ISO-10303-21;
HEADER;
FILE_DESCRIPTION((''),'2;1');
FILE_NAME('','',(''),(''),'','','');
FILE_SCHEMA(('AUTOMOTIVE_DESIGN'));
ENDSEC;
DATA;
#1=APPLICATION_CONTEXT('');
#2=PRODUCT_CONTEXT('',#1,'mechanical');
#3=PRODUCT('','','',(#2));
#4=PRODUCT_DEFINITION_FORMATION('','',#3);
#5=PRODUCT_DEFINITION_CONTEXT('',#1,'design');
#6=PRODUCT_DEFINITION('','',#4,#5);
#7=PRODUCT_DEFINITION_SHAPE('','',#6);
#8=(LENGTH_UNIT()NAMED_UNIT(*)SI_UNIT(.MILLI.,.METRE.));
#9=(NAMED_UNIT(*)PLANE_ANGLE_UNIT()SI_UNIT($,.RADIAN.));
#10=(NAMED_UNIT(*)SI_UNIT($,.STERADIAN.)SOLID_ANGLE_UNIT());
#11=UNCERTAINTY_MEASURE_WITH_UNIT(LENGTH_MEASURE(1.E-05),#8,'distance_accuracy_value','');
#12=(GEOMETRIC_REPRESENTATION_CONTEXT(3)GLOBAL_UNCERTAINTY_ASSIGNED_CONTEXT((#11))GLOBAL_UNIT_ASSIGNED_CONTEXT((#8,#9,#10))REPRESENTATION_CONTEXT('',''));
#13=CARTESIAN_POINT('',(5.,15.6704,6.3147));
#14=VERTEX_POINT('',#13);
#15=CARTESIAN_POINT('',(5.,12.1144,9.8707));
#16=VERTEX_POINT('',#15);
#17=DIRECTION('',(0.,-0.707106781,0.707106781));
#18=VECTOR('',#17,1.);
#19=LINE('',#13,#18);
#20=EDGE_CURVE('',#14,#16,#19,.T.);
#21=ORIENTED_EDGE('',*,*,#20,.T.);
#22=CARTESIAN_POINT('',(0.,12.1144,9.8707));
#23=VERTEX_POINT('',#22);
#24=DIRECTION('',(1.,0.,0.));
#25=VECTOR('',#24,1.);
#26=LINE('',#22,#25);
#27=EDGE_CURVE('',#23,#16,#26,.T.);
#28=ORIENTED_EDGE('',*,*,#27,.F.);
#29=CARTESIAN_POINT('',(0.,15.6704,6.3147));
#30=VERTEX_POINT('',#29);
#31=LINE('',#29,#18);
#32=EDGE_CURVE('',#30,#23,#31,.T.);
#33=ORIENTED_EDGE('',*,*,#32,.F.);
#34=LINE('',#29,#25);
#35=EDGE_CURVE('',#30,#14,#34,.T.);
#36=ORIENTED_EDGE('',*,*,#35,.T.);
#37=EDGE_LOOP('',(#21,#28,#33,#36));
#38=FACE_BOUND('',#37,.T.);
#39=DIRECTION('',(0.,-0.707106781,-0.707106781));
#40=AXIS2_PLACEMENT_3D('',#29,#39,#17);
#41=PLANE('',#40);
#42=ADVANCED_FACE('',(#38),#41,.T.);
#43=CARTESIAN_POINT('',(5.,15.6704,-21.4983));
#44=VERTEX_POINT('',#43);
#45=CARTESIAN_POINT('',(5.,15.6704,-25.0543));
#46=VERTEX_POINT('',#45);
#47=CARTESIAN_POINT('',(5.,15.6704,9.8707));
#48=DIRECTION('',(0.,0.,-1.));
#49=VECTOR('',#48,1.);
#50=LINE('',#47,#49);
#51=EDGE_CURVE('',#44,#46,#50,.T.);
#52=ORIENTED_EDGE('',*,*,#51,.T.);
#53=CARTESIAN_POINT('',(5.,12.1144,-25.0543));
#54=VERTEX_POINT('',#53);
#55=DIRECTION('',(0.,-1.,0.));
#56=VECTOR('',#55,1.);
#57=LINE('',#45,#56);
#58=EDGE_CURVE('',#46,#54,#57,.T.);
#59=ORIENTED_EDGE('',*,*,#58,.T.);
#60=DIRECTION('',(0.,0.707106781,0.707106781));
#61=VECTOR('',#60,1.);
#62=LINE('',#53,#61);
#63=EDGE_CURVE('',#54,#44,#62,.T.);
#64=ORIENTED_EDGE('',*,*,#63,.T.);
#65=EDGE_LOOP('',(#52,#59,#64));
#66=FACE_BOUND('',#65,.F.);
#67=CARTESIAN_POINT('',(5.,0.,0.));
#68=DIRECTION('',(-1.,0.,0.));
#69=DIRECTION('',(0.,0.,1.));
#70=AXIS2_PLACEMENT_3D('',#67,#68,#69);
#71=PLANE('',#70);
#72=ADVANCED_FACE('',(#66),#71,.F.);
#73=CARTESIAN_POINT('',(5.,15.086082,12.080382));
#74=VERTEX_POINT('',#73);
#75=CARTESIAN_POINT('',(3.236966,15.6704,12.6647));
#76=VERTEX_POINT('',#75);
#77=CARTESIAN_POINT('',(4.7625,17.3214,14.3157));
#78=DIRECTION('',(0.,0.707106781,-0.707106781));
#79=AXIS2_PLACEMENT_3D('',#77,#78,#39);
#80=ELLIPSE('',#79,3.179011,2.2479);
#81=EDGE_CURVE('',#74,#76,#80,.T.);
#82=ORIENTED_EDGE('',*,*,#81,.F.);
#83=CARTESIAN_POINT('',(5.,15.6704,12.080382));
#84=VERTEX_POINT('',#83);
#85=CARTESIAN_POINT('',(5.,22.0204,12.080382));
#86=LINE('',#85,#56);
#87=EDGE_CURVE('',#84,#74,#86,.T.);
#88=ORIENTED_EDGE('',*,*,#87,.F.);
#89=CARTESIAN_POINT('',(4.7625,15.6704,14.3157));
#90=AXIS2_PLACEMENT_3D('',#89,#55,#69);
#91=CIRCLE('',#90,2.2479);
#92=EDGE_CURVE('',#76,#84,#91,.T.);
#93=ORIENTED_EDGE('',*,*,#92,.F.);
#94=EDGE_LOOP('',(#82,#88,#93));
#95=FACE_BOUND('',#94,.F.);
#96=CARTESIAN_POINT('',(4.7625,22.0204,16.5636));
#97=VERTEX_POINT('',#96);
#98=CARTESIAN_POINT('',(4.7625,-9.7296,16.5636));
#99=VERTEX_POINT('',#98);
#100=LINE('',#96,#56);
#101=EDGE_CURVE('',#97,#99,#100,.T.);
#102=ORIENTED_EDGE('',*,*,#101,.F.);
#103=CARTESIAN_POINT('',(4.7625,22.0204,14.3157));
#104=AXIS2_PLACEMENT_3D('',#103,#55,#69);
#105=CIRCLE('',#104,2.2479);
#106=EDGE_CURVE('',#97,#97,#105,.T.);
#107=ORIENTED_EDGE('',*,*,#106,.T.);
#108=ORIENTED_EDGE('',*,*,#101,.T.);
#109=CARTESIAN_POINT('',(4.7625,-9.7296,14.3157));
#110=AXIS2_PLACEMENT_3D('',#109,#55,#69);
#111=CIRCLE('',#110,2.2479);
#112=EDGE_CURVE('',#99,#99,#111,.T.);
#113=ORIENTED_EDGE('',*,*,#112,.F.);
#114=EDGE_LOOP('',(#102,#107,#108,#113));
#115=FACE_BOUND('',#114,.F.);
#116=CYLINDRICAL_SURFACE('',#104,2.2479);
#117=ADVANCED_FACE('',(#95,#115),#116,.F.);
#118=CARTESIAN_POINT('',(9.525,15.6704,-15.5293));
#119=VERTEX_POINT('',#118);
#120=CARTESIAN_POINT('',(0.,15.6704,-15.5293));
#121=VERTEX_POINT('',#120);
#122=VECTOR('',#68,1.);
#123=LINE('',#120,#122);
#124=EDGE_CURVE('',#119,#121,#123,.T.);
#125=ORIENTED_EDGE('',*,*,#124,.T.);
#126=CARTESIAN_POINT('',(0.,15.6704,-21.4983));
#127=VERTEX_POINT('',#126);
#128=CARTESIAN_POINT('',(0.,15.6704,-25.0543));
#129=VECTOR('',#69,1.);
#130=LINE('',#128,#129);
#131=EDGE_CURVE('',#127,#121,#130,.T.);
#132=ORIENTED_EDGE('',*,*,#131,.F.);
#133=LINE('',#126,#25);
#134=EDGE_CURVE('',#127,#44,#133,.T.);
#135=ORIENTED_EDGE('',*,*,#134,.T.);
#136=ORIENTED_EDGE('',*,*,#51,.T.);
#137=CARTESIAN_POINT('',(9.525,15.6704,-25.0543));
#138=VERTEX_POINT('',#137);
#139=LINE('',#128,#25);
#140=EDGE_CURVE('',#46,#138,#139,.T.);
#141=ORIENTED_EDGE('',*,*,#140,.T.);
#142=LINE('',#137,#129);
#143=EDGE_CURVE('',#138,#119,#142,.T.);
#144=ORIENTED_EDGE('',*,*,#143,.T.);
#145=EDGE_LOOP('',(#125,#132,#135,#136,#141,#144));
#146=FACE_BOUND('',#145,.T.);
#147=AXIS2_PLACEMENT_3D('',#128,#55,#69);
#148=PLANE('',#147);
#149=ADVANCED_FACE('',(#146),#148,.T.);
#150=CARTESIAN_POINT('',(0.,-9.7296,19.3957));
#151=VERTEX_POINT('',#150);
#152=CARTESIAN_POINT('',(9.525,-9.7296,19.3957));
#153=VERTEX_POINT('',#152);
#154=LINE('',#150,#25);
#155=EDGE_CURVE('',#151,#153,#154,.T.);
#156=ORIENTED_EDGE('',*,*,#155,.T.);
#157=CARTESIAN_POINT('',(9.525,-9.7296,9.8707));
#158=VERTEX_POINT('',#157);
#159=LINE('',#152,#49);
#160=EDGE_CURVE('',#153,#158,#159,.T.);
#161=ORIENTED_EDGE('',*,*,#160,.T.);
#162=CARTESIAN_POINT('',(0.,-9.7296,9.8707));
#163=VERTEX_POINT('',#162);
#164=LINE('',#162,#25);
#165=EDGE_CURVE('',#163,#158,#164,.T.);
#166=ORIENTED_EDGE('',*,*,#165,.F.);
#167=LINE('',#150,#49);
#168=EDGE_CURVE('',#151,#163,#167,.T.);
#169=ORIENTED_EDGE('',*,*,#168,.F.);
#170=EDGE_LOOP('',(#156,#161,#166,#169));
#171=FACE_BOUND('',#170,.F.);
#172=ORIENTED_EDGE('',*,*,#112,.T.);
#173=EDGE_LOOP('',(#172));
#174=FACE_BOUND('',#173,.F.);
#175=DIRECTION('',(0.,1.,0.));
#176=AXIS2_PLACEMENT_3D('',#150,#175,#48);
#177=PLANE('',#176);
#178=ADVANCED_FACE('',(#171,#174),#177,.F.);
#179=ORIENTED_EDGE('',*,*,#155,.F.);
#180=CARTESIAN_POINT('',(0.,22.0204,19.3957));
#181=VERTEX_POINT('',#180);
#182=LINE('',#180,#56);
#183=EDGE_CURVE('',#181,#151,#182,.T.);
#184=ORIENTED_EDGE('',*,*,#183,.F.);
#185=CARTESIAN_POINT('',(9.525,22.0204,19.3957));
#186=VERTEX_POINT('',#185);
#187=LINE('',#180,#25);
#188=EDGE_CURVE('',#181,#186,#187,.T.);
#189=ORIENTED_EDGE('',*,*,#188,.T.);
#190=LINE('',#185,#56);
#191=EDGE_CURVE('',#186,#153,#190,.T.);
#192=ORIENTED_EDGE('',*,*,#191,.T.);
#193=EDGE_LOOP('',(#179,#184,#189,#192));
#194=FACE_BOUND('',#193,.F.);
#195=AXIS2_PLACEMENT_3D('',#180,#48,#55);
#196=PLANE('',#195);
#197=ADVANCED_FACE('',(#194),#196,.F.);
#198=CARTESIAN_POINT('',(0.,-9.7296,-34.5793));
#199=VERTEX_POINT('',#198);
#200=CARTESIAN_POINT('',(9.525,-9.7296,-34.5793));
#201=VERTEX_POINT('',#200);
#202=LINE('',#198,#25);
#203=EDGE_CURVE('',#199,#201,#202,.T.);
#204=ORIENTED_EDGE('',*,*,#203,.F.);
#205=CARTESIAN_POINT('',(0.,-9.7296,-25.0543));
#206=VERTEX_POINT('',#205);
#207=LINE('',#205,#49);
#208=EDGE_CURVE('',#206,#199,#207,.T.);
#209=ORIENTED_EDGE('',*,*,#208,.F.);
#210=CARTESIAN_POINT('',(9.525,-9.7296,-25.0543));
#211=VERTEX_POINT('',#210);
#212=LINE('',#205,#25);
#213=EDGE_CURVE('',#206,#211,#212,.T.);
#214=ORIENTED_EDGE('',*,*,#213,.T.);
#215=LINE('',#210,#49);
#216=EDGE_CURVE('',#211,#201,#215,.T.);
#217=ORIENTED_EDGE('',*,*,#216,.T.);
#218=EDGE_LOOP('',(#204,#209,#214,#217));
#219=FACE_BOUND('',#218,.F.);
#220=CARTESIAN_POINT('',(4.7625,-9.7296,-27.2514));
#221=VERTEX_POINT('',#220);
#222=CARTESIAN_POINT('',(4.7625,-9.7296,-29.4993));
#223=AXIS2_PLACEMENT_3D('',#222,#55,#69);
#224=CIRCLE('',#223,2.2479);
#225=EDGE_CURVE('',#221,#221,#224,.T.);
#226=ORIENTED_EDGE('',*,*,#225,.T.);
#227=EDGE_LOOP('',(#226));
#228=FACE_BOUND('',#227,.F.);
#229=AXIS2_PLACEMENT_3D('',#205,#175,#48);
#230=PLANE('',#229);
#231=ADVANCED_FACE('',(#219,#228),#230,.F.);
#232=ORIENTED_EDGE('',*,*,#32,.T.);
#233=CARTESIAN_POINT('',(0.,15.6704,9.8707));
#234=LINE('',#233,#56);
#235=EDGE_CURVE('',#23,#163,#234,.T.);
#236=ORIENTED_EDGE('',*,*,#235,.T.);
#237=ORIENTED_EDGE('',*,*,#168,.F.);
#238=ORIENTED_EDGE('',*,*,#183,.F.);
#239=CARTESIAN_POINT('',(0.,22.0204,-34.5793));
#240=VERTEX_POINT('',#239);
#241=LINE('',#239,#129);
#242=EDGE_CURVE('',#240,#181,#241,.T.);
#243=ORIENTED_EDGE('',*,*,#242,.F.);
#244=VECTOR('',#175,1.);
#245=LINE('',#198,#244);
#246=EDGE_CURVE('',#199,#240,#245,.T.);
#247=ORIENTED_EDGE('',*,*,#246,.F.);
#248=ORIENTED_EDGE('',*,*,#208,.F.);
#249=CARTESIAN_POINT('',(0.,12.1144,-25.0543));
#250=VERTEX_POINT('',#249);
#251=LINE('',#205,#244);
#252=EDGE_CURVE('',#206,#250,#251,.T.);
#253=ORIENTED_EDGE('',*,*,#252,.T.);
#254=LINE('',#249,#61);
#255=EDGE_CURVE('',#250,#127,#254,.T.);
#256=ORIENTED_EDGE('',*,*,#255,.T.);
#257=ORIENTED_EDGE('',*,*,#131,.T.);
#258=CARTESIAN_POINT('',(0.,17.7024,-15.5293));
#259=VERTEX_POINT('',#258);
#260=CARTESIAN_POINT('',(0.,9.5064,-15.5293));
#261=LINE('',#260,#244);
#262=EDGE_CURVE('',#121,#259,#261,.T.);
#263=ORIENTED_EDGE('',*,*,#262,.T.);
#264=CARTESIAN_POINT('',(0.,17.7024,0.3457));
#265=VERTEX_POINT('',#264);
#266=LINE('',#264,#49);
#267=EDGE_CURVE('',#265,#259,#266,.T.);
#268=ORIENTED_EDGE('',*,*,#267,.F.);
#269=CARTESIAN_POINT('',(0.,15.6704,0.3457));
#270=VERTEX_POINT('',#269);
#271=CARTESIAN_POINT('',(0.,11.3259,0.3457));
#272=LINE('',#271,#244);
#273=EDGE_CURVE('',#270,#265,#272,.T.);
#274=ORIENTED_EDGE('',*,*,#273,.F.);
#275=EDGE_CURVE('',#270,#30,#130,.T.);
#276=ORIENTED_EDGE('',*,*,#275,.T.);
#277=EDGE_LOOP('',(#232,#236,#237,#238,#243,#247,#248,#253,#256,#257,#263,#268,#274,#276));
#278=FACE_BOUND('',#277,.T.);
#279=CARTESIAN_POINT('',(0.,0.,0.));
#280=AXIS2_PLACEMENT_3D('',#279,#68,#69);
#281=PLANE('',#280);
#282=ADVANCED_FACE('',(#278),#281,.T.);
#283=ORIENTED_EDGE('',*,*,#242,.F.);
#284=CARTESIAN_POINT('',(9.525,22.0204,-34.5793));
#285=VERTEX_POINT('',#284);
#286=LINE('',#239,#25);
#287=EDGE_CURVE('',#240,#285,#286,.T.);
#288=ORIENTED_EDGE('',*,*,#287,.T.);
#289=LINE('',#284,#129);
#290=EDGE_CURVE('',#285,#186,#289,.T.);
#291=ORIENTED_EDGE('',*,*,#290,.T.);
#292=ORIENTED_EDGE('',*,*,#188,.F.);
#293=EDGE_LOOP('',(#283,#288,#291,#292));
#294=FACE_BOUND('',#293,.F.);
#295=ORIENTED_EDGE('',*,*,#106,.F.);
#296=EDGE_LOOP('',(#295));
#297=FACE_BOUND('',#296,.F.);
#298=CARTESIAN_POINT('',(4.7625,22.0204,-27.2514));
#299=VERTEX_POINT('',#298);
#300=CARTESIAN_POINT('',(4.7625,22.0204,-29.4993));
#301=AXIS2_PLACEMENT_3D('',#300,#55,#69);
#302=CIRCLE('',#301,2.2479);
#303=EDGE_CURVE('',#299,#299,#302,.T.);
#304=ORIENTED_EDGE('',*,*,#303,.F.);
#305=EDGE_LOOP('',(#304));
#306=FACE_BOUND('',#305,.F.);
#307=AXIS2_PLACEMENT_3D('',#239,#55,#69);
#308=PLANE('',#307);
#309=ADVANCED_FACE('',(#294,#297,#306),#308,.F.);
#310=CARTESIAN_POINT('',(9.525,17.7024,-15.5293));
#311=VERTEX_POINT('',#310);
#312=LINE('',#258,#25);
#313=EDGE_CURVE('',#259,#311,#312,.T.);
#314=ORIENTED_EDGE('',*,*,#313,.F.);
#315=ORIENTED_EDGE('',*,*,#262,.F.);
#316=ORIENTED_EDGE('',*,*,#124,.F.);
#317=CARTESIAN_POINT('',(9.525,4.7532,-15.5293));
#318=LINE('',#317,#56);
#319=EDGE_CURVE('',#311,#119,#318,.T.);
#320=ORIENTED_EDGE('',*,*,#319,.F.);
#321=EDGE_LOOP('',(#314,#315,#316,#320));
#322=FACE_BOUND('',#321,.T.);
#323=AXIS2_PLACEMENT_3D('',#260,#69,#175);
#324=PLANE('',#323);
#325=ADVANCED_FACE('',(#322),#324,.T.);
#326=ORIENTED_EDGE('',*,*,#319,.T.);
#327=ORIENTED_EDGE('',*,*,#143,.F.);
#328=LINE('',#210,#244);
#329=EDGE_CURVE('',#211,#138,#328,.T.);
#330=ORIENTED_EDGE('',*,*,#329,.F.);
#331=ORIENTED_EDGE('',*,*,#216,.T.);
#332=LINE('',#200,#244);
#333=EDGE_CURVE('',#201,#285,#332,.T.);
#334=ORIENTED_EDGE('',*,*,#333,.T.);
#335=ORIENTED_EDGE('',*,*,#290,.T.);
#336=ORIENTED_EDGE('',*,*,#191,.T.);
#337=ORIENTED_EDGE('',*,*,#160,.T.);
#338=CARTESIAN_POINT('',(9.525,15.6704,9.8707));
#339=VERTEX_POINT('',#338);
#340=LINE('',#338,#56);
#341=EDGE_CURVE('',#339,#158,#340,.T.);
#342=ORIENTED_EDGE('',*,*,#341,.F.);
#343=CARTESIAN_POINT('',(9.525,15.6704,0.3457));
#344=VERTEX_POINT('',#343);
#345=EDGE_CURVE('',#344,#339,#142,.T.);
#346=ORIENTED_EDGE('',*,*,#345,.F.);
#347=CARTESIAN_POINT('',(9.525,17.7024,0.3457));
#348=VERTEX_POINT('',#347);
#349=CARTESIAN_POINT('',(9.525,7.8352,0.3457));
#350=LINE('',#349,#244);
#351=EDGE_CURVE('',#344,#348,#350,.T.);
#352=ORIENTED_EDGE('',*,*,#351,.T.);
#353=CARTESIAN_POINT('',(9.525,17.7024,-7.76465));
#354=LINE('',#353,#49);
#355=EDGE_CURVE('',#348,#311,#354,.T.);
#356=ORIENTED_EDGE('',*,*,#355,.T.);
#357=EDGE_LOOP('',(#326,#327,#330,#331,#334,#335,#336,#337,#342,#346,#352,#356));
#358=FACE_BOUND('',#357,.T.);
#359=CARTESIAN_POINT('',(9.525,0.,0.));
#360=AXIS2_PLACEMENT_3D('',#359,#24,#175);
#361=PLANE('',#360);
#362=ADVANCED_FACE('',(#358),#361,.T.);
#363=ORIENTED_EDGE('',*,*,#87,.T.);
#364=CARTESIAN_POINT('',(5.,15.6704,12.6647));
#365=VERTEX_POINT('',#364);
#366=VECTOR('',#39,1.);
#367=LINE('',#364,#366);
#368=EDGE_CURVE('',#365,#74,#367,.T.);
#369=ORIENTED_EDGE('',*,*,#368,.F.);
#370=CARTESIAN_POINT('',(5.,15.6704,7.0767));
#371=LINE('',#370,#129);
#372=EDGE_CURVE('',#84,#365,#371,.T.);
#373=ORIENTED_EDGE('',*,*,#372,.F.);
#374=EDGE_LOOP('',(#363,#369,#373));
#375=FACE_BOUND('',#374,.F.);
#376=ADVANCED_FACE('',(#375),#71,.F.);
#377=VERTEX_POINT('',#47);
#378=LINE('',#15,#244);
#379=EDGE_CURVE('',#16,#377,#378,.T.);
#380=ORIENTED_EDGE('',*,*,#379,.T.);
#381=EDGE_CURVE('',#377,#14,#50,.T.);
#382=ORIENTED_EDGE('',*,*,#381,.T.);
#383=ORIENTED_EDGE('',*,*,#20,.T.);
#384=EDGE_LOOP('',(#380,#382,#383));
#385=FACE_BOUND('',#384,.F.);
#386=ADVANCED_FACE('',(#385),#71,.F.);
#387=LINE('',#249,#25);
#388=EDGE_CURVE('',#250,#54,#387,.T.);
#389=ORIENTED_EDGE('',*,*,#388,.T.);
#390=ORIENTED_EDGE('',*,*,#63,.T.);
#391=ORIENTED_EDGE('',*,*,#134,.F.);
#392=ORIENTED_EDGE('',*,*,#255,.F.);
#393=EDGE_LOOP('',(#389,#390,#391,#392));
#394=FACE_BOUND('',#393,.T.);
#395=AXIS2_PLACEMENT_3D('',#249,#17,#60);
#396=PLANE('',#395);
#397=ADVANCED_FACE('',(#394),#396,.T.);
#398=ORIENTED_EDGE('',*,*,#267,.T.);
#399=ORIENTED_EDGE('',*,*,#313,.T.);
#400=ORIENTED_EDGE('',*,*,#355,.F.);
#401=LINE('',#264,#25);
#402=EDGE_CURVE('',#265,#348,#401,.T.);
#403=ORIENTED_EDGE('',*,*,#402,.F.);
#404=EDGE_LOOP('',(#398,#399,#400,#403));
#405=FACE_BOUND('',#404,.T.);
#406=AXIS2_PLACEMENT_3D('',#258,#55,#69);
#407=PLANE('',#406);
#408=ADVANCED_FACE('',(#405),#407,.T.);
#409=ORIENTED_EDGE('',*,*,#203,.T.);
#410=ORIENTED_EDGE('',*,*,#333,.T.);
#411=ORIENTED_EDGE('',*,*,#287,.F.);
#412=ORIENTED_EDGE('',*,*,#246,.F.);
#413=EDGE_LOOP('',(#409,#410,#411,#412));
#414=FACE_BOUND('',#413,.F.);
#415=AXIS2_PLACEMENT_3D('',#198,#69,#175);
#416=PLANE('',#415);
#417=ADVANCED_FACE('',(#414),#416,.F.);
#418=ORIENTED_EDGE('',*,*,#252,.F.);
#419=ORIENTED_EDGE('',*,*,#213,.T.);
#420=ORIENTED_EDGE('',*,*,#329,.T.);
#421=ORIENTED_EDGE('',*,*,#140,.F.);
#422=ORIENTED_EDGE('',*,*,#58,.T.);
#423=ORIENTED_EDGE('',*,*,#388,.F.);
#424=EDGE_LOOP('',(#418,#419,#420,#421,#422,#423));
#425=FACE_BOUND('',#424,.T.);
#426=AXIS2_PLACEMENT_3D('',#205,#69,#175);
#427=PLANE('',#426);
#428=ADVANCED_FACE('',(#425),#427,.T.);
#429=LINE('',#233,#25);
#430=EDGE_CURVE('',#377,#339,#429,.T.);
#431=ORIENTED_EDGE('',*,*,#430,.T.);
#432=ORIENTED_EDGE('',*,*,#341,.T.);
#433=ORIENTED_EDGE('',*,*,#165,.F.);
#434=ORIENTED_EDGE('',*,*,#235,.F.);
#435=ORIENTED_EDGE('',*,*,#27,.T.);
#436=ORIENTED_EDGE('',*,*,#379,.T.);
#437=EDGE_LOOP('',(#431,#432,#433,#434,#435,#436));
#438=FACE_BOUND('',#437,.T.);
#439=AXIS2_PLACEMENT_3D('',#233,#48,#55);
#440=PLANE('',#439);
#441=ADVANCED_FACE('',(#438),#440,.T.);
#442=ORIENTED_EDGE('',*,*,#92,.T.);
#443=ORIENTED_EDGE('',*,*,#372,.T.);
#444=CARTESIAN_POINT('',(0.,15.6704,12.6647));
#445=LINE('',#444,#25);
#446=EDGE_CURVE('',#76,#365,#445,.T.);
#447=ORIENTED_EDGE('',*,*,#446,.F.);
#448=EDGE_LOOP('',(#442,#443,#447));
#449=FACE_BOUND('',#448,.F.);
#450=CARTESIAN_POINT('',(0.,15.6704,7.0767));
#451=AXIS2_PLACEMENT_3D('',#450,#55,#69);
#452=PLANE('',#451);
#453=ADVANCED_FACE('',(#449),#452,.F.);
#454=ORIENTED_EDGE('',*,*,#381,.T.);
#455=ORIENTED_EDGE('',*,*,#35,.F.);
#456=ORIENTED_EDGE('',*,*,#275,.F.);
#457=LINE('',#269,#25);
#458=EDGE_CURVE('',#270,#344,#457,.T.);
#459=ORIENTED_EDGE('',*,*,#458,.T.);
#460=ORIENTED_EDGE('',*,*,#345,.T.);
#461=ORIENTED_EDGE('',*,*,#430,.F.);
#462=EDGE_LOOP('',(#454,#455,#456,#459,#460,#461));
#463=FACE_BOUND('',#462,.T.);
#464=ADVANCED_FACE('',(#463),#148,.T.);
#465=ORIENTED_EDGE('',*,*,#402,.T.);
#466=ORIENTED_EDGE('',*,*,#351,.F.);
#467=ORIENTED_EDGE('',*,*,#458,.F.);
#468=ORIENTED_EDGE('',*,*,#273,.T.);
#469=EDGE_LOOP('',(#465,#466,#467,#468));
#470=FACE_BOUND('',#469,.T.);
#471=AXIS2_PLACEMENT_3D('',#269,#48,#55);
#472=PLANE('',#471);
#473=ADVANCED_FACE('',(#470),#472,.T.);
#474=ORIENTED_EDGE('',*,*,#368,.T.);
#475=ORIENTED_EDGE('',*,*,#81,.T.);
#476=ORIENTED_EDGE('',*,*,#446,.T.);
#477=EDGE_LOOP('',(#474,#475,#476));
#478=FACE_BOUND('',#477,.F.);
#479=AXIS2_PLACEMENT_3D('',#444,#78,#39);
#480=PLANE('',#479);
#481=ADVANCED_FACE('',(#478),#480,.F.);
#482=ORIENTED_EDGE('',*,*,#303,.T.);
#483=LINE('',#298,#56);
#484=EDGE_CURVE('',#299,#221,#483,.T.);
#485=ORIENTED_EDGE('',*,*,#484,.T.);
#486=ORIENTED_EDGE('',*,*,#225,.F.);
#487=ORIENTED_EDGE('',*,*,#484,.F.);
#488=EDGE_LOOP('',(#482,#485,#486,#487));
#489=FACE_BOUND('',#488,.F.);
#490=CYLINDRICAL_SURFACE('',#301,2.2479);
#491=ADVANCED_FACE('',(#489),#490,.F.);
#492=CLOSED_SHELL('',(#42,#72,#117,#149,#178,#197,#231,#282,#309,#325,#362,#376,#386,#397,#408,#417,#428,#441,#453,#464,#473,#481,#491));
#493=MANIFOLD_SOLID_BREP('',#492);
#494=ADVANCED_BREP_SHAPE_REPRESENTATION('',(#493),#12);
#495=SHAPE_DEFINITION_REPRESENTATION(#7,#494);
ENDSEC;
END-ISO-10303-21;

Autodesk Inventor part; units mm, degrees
ref_plane "YZ Plane" through (0, 0, 0) normal (1, 0, 0) x (0, 1, 0)
ref_plane "XZ Plane" through (0, 0, 0) normal (0, 1, 0) x (-1, 0, 0)
ref_plane "XY Plane" through (0, 0, 0) normal (0, 0, 1) x (1, 0, 0)
sketch "Sketch1" plane through (0, 0, 0) normal (1, 0, 0) x (0, 1, 0)
  line L0 (22.0204, 19.3957) -> (-9.7296, 19.3957)
  line L1 (-9.7296, -34.5793) -> (22.0204, -34.5793)
  line L2 (22.0204, -34.5793) -> (22.0204, 19.3957)
  line L3 (15.6704, 9.8707) -> (-9.7296, 9.8707)
  line L4 (-9.7296, -25.0543) -> (15.6704, -25.0543)
  line L5 (15.6704, -25.0543) -> (15.6704, 9.8707)
  line L6 (-9.7296, 19.3957) -> (-9.7296, 9.8707)
  line L7 (-9.7296, -25.0543) -> (-9.7296, -34.5793)
  dimension "d0" = 53.975
  dimension "d2" = 6.35
  dimension "d3" = 9.525
  dimension "d4" = 9.525
  dimension "d7" = 25.4
  dimension "d8" = 0
extrude "Extrusion1" add sketch "Sketch1" along normal blind 9.525
sketch "Sketch2" plane through (0, 22.0204, 19.3957) normal (0, 1, 0) x (1, 0, 0)
  line L0 (0, 53.975) -> (9.525, 53.975) projected
  line L1 (0, 0) -> (9.525, 0) projected
  line L2 (0, 53.975) -> (0, 0) projected
  point P0 (0, 19.3957)
  point P1 (4.7625, 5.08)
  point P2 (4.7625, 48.895)
  dimension "d9" = 5.08
  dimension "d10" = 5.08
  dimension "d11" = 4.7625
  dimension "d12" = 0
hole "Hole1" at (4.7625, 22.0204, 14.3157) at (4.7625, 22.0204, -29.4993) direction (0, -1, 0) diameter 4.4958 end through all clearance for "Flat Head Machine Screw (82)" size "#8" standard "Ansi Unified Screw Threads"
sketch "Sketch4" plane through (0, 0, 0) normal (-1, 0, 0) x (0, 0, 1)
  line L0 (9.8707, 15.6704) -> (-25.0543, 15.6704) projected
  line L1 (9.8707, -9.7296) -> (9.8707, 15.6704) projected
  line L2 (-25.0543, 15.6704) -> (-25.0543, -9.7296) projected
  line L3 (-25.0543, 12.1144) -> (-21.4983, 15.6704)
  line L4 (-21.4983, 15.6704) -> (-25.0543, 15.6704)
  line L5 (-25.0543, 15.6704) -> (-25.0543, 12.1144)
  line L6 (9.8707, 12.1144) -> (9.8707, 15.6704)
  line L7 (9.8707, 15.6704) -> (6.3147, 15.6704)
  line L8 (6.3147, 15.6704) -> (9.8707, 12.1144)
  point P0 (0, 0)
  dimension "d20" = 45
  dimension "d21" = 3.556
  dimension "d22" = 0
  dimension "d23" = 0
  dimension "d24" = 45
  dimension "d25" = 3.556
  dimension "d26" = 0
  dimension "d27" = 0
extrude "Extrusion2" add sketch "Sketch4" against normal blind 5
sketch "Sketch5" plane through (0, 0, 0) normal (-1, 0, 0) x (0, 0, 1)
  line L0 (7.0767, 15.6704) -> (12.6647, 15.6704)
  line L1 (12.6647, 15.6704) -> (9.8707, 12.8764)
  line L2 (9.8707, 12.8764) -> (7.0767, 15.6704)
  line L3 (6.3147, 15.6704) -> (-21.4983, 15.6704) projected
  line L4 (-34.5793, -9.7296) -> (-34.5793, 22.0204) projected
  point P0 (0, 0)
  dimension "d30" = 90
  dimension "d31" = 45
  dimension "d32" = 2.794
  dimension "d33" = 0
  dimension "d34" = 44.45
extrude "Extrusion3" add sketch "Sketch5" against normal blind 5
sketch "Sketch6" plane through (0, 0, 0) normal (-1, 0, 0) x (0, 0, 1)
  line L0 (-0.2893, 9.5064) -> (-15.5293, 9.5064)
  line L1 (-15.5293, 9.5064) -> (-15.5293, 17.7024)
  line L2 (-15.5293, 17.7024) -> (-0.2893, 17.7024)
  line L3 (-0.2893, 17.7024) -> (-0.2893, 9.5064)
  line L4 (0.3457, 11.3259) -> (-14.8943, 11.3259)
  line L5 (-14.8943, 11.3259) -> (-14.8943, 17.7024)
  line L6 (-14.8943, 17.7024) -> (0.3457, 17.7024)
  line L7 (0.3457, 17.7024) -> (0.3457, 11.3259)
  line L8 (6.3147, 15.6704) -> (-21.4983, 15.6704) projected
  line L9 (-34.5793, -9.7296) -> (-34.5793, 22.0204) projected
  line L10 (19.3957, 22.0204) -> (19.3957, -9.7296) projected
  point P0 (0, 0)
  point P1 (12.6647, 15.6704)
  dimension "d37" = 2.032
  dimension "d38" = 0
  dimension "d39" = 19.05
  dimension "d40" = 19.05
  dimension "d42" = 15.24
  dimension "d43" = 15.24
extrude "Extrusion4" cut sketch "Sketch6" against normal blind 254
properties part number "OneSparkMaxTop"
